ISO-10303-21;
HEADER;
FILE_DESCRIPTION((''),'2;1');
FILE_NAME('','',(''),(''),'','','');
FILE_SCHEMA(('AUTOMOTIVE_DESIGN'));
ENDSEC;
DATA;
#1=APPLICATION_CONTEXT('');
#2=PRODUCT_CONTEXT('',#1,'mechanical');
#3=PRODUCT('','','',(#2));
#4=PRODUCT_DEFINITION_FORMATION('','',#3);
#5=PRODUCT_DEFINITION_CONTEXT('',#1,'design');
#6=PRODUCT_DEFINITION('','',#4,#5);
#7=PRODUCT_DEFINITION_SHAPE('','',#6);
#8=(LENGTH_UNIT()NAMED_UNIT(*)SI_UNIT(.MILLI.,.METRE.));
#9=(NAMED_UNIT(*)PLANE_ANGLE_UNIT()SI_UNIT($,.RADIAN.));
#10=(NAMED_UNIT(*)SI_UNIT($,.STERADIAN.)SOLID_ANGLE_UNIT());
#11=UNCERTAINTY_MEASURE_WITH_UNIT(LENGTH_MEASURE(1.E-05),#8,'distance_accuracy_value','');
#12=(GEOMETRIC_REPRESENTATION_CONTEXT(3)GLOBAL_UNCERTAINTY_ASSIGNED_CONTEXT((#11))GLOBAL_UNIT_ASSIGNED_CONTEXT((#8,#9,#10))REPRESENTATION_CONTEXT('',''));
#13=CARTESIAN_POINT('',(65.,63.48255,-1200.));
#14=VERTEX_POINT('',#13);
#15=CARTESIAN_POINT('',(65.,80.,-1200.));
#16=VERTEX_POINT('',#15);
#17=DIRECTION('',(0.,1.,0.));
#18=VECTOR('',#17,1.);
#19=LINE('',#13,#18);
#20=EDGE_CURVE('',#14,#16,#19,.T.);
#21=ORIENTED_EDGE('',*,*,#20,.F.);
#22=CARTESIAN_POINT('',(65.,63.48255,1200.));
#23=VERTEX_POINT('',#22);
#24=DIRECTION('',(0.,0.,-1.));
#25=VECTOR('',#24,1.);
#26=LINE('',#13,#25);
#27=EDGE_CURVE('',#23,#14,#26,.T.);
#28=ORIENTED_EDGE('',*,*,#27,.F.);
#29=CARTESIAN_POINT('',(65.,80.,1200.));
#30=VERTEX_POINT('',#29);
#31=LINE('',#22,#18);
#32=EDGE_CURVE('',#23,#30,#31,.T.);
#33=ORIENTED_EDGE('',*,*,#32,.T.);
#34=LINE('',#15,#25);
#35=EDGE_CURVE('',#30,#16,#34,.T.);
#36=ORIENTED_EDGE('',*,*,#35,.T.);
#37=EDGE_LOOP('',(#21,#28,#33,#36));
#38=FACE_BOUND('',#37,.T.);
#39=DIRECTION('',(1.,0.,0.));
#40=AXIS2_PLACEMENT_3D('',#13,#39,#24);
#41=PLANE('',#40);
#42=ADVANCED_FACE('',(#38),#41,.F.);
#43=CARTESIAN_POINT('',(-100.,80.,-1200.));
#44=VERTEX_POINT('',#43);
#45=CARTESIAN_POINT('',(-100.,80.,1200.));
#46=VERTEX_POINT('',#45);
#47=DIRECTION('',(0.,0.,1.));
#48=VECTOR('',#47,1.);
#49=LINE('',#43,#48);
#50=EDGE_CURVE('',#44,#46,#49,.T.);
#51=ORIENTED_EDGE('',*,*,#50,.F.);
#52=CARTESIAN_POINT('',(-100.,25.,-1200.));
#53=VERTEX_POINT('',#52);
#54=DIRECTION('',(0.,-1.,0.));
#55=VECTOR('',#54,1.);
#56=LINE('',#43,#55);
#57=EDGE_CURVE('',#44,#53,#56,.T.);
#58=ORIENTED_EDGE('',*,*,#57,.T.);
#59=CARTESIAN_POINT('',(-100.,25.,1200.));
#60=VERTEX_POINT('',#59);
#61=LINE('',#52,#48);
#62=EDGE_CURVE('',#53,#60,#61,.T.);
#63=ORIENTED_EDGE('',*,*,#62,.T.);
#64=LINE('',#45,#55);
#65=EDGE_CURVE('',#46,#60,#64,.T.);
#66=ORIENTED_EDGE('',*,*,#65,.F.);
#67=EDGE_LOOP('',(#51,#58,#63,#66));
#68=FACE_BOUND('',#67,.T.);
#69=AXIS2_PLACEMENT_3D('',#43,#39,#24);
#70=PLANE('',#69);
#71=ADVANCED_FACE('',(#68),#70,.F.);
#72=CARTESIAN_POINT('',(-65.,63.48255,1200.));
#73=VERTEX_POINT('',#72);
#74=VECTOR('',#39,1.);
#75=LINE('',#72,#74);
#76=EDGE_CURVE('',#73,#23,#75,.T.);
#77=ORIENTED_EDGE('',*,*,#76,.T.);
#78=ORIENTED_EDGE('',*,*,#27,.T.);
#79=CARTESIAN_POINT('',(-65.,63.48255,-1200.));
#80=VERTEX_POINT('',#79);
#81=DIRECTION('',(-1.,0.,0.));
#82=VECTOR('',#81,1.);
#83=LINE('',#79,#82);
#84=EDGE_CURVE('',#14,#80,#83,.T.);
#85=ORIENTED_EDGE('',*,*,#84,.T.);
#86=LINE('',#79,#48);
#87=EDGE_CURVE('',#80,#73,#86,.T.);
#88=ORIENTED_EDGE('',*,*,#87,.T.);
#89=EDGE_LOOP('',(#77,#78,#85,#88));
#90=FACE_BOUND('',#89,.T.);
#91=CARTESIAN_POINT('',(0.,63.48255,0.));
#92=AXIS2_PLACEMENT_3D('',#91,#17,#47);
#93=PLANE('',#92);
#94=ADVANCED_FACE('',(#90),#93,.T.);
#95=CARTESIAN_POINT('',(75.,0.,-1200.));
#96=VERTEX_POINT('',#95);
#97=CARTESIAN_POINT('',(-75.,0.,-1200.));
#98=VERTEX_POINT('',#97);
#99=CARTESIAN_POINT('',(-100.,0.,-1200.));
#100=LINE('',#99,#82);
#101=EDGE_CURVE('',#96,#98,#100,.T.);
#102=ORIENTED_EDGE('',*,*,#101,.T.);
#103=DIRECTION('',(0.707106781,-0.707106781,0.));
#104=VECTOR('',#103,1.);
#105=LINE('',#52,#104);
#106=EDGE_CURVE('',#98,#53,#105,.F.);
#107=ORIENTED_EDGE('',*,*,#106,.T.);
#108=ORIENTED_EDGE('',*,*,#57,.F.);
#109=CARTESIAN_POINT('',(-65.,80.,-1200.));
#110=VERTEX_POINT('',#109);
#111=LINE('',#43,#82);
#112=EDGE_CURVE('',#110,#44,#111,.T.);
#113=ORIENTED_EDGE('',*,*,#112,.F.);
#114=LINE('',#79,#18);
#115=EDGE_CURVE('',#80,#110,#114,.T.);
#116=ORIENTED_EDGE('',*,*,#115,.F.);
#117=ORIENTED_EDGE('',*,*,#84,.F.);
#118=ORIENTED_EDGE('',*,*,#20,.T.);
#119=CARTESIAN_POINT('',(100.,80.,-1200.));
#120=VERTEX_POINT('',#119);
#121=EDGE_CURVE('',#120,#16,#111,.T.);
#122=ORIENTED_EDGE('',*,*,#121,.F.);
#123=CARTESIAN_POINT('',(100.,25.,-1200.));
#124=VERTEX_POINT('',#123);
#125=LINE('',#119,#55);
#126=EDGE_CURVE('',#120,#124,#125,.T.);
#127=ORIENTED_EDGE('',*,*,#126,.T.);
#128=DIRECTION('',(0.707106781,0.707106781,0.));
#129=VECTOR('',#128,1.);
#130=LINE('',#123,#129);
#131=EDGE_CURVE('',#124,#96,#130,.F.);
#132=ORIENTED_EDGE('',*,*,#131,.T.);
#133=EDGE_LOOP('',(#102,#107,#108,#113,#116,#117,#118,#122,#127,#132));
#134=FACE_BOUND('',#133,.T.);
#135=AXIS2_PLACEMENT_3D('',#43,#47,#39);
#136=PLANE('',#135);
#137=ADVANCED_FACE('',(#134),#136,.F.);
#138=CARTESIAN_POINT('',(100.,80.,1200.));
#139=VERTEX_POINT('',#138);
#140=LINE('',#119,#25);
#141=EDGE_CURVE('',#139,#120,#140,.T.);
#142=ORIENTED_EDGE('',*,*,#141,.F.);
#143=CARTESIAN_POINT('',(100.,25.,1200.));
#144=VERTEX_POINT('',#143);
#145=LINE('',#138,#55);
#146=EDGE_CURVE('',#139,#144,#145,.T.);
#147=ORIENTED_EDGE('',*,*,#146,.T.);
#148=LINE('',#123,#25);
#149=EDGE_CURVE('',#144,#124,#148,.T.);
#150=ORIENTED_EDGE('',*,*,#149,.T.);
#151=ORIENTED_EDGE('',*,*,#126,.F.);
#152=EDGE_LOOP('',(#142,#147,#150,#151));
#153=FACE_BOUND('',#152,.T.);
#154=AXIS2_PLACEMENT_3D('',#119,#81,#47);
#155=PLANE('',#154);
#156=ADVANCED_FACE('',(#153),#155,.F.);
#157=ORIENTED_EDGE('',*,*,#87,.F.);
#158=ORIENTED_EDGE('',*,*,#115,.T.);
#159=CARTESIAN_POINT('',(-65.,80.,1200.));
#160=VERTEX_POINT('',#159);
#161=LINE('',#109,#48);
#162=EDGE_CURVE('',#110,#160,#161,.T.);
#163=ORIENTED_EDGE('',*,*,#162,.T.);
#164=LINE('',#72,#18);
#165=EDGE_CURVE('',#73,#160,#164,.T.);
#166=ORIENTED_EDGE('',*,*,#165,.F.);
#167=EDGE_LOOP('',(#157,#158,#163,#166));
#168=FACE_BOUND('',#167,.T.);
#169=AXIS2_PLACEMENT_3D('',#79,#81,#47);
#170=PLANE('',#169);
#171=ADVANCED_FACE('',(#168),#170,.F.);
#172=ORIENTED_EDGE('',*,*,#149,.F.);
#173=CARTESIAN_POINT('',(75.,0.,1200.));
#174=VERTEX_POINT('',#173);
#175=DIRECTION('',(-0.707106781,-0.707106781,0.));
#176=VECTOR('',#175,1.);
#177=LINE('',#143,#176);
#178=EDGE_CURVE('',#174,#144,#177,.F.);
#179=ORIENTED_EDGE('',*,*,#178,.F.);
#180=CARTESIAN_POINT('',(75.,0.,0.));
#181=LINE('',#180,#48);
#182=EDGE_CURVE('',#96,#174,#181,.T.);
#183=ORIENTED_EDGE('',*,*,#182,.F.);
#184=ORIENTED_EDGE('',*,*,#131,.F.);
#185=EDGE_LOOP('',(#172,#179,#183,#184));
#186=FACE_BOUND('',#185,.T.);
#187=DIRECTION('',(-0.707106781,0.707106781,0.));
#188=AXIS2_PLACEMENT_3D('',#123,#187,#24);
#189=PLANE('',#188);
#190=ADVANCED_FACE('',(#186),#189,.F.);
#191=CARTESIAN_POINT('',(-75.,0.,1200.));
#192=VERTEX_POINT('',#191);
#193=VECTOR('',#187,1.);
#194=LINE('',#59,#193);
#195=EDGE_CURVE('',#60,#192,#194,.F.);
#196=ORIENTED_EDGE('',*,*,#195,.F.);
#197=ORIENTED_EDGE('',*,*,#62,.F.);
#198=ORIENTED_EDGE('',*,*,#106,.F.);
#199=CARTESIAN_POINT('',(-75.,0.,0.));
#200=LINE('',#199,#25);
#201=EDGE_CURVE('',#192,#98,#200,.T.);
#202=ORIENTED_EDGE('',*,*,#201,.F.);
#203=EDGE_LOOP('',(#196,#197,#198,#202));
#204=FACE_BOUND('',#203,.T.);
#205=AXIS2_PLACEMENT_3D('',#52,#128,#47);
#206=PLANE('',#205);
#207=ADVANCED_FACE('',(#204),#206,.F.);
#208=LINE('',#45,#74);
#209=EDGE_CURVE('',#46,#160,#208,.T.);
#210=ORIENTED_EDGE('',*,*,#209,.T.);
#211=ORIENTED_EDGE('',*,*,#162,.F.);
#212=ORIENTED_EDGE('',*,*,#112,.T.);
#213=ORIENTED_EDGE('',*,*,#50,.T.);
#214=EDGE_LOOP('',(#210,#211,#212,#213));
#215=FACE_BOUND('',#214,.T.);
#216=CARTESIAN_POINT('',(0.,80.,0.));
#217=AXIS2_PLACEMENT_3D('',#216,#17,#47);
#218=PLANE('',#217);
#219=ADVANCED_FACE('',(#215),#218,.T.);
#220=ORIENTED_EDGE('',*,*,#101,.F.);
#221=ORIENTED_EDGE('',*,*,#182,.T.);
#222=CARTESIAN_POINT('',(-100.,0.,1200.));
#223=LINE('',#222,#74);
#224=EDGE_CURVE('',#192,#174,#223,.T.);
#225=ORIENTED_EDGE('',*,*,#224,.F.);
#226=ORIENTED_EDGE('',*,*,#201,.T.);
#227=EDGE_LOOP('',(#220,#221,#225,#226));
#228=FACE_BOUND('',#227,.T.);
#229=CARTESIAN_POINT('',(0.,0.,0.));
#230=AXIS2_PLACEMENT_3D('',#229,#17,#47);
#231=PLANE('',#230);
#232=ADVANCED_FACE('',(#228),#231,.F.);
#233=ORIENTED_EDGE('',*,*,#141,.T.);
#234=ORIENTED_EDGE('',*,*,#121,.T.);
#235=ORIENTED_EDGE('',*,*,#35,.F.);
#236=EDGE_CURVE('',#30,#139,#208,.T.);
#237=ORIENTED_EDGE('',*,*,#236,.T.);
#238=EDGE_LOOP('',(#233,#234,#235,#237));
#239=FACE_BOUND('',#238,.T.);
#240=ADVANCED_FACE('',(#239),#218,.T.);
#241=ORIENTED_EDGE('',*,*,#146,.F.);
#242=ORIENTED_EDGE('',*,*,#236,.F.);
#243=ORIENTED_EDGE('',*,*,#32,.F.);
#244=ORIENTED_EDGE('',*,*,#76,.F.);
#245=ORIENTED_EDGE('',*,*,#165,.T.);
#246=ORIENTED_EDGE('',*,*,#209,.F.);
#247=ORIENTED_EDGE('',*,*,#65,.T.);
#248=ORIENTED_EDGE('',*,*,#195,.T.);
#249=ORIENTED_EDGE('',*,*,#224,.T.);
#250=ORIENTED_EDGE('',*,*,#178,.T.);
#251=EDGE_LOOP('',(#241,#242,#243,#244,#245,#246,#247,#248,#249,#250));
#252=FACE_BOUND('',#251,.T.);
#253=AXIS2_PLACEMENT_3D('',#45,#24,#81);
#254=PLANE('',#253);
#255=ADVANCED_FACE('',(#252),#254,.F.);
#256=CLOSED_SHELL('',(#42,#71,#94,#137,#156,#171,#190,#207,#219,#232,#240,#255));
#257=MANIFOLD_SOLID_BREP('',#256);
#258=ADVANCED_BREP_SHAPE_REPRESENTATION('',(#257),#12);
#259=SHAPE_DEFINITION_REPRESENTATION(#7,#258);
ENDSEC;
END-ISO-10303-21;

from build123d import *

# Parameters (mm, degrees)
SKETCH1_W           = 200
SKETCH1_H           = 2400
BOSS_EXTRUDE1_DEPTH = 80
CHAMFER1_SIZE       = 25
SKETCH2_W           = 130
SKETCH2_H           = 2400
CUT_EXTRUDE1_DEPTH  = 16.51744982


with BuildPart() as part:
    # Sketch1 → Boss-Extrude1 (new body)
    with BuildSketch(Plane(origin=(0, 0, 0), x_dir=(1, 0, 0), z_dir=(0, 1, 0))):
        Rectangle(SKETCH1_W, SKETCH1_H)
    extrude(amount=BOSS_EXTRUDE1_DEPTH)

    # Chamfer1
    chamfer1_edges = [part.edges().sort_by_distance(p)[0] for p in [
        (-100, 0, 0),
        (100, 0, 0),
    ]]
    chamfer(chamfer1_edges, length=CHAMFER1_SIZE)

    # Sketch2 → Cut-Extrude1 (cut)
    with BuildSketch(Plane(origin=(0, 80, 0), x_dir=(1, 0, 0), z_dir=(0, 1, 0))):
        Rectangle(SKETCH2_W, SKETCH2_H)
    extrude(amount=-CUT_EXTRUDE1_DEPTH, mode=Mode.SUBTRACT)


solid = part.part
